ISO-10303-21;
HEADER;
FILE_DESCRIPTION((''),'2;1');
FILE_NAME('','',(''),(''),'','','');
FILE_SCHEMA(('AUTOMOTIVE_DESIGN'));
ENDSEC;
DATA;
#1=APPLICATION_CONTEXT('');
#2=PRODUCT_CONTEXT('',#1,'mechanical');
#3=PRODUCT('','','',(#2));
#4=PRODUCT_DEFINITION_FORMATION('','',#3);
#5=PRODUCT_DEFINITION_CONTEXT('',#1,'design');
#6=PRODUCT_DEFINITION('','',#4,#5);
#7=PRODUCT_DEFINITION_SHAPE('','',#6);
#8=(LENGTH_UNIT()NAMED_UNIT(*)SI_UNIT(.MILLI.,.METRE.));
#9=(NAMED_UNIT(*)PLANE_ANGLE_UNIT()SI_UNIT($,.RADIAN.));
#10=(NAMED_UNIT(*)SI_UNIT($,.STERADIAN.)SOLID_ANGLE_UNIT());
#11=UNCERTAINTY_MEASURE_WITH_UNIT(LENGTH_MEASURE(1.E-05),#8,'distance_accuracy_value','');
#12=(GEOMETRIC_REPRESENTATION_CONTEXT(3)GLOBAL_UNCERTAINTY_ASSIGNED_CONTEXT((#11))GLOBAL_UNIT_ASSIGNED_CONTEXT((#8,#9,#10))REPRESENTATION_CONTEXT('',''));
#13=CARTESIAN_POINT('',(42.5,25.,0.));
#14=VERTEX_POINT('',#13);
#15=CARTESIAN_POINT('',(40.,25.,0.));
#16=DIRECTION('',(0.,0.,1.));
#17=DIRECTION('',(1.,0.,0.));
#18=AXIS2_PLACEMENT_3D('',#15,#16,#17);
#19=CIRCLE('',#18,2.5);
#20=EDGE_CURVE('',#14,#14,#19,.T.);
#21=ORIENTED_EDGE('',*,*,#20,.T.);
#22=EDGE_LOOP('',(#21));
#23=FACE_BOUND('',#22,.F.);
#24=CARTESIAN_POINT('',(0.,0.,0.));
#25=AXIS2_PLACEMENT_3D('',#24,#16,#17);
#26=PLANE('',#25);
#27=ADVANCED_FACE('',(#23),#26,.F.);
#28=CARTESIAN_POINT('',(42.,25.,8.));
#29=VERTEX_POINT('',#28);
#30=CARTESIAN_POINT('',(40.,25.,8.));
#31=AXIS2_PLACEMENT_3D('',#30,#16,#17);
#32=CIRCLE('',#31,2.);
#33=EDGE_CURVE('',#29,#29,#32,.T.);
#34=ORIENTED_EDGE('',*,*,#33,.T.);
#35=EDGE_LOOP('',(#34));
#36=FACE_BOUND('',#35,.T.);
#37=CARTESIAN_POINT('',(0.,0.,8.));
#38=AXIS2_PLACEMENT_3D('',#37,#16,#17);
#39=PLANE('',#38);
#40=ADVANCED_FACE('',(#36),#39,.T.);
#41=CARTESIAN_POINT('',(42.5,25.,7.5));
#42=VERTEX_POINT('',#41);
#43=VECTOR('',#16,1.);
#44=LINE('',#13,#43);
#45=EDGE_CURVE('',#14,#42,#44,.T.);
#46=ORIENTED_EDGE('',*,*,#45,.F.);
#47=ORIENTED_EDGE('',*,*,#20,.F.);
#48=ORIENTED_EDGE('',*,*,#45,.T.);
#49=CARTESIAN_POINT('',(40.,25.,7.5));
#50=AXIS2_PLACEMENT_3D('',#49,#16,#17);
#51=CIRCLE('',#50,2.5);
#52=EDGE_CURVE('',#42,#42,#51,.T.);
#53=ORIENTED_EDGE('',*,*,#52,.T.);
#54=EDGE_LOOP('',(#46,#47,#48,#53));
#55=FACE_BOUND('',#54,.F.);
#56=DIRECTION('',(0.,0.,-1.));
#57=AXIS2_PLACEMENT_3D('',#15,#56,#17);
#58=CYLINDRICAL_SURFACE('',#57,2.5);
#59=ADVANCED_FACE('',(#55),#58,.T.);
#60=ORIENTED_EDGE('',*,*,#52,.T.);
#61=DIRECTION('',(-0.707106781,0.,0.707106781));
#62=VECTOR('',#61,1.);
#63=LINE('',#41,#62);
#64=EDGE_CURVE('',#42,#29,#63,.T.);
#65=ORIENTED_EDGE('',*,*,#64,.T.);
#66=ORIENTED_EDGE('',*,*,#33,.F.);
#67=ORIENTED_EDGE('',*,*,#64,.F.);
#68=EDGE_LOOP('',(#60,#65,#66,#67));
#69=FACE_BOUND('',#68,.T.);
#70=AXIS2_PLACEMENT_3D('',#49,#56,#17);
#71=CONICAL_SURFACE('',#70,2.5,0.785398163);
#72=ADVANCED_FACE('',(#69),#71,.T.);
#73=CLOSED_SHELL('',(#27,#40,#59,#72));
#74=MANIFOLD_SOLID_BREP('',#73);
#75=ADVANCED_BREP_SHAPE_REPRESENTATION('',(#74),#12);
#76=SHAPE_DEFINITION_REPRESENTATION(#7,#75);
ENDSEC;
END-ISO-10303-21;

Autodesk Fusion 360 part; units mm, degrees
sketch "Sketch1" plane through (0, 0, 0) normal (0, 0, 1) x (1, 0, 0)
  circle A0 centre (40, 25) radius 2.5
  dimension "d1" = 5
extrude "Extrude1" add sketch "Sketch1" along normal blind 8
chamfer "Chamfer1" distance 0.5 angle 45 1 edges at (37.6692, 24.096, 8)
